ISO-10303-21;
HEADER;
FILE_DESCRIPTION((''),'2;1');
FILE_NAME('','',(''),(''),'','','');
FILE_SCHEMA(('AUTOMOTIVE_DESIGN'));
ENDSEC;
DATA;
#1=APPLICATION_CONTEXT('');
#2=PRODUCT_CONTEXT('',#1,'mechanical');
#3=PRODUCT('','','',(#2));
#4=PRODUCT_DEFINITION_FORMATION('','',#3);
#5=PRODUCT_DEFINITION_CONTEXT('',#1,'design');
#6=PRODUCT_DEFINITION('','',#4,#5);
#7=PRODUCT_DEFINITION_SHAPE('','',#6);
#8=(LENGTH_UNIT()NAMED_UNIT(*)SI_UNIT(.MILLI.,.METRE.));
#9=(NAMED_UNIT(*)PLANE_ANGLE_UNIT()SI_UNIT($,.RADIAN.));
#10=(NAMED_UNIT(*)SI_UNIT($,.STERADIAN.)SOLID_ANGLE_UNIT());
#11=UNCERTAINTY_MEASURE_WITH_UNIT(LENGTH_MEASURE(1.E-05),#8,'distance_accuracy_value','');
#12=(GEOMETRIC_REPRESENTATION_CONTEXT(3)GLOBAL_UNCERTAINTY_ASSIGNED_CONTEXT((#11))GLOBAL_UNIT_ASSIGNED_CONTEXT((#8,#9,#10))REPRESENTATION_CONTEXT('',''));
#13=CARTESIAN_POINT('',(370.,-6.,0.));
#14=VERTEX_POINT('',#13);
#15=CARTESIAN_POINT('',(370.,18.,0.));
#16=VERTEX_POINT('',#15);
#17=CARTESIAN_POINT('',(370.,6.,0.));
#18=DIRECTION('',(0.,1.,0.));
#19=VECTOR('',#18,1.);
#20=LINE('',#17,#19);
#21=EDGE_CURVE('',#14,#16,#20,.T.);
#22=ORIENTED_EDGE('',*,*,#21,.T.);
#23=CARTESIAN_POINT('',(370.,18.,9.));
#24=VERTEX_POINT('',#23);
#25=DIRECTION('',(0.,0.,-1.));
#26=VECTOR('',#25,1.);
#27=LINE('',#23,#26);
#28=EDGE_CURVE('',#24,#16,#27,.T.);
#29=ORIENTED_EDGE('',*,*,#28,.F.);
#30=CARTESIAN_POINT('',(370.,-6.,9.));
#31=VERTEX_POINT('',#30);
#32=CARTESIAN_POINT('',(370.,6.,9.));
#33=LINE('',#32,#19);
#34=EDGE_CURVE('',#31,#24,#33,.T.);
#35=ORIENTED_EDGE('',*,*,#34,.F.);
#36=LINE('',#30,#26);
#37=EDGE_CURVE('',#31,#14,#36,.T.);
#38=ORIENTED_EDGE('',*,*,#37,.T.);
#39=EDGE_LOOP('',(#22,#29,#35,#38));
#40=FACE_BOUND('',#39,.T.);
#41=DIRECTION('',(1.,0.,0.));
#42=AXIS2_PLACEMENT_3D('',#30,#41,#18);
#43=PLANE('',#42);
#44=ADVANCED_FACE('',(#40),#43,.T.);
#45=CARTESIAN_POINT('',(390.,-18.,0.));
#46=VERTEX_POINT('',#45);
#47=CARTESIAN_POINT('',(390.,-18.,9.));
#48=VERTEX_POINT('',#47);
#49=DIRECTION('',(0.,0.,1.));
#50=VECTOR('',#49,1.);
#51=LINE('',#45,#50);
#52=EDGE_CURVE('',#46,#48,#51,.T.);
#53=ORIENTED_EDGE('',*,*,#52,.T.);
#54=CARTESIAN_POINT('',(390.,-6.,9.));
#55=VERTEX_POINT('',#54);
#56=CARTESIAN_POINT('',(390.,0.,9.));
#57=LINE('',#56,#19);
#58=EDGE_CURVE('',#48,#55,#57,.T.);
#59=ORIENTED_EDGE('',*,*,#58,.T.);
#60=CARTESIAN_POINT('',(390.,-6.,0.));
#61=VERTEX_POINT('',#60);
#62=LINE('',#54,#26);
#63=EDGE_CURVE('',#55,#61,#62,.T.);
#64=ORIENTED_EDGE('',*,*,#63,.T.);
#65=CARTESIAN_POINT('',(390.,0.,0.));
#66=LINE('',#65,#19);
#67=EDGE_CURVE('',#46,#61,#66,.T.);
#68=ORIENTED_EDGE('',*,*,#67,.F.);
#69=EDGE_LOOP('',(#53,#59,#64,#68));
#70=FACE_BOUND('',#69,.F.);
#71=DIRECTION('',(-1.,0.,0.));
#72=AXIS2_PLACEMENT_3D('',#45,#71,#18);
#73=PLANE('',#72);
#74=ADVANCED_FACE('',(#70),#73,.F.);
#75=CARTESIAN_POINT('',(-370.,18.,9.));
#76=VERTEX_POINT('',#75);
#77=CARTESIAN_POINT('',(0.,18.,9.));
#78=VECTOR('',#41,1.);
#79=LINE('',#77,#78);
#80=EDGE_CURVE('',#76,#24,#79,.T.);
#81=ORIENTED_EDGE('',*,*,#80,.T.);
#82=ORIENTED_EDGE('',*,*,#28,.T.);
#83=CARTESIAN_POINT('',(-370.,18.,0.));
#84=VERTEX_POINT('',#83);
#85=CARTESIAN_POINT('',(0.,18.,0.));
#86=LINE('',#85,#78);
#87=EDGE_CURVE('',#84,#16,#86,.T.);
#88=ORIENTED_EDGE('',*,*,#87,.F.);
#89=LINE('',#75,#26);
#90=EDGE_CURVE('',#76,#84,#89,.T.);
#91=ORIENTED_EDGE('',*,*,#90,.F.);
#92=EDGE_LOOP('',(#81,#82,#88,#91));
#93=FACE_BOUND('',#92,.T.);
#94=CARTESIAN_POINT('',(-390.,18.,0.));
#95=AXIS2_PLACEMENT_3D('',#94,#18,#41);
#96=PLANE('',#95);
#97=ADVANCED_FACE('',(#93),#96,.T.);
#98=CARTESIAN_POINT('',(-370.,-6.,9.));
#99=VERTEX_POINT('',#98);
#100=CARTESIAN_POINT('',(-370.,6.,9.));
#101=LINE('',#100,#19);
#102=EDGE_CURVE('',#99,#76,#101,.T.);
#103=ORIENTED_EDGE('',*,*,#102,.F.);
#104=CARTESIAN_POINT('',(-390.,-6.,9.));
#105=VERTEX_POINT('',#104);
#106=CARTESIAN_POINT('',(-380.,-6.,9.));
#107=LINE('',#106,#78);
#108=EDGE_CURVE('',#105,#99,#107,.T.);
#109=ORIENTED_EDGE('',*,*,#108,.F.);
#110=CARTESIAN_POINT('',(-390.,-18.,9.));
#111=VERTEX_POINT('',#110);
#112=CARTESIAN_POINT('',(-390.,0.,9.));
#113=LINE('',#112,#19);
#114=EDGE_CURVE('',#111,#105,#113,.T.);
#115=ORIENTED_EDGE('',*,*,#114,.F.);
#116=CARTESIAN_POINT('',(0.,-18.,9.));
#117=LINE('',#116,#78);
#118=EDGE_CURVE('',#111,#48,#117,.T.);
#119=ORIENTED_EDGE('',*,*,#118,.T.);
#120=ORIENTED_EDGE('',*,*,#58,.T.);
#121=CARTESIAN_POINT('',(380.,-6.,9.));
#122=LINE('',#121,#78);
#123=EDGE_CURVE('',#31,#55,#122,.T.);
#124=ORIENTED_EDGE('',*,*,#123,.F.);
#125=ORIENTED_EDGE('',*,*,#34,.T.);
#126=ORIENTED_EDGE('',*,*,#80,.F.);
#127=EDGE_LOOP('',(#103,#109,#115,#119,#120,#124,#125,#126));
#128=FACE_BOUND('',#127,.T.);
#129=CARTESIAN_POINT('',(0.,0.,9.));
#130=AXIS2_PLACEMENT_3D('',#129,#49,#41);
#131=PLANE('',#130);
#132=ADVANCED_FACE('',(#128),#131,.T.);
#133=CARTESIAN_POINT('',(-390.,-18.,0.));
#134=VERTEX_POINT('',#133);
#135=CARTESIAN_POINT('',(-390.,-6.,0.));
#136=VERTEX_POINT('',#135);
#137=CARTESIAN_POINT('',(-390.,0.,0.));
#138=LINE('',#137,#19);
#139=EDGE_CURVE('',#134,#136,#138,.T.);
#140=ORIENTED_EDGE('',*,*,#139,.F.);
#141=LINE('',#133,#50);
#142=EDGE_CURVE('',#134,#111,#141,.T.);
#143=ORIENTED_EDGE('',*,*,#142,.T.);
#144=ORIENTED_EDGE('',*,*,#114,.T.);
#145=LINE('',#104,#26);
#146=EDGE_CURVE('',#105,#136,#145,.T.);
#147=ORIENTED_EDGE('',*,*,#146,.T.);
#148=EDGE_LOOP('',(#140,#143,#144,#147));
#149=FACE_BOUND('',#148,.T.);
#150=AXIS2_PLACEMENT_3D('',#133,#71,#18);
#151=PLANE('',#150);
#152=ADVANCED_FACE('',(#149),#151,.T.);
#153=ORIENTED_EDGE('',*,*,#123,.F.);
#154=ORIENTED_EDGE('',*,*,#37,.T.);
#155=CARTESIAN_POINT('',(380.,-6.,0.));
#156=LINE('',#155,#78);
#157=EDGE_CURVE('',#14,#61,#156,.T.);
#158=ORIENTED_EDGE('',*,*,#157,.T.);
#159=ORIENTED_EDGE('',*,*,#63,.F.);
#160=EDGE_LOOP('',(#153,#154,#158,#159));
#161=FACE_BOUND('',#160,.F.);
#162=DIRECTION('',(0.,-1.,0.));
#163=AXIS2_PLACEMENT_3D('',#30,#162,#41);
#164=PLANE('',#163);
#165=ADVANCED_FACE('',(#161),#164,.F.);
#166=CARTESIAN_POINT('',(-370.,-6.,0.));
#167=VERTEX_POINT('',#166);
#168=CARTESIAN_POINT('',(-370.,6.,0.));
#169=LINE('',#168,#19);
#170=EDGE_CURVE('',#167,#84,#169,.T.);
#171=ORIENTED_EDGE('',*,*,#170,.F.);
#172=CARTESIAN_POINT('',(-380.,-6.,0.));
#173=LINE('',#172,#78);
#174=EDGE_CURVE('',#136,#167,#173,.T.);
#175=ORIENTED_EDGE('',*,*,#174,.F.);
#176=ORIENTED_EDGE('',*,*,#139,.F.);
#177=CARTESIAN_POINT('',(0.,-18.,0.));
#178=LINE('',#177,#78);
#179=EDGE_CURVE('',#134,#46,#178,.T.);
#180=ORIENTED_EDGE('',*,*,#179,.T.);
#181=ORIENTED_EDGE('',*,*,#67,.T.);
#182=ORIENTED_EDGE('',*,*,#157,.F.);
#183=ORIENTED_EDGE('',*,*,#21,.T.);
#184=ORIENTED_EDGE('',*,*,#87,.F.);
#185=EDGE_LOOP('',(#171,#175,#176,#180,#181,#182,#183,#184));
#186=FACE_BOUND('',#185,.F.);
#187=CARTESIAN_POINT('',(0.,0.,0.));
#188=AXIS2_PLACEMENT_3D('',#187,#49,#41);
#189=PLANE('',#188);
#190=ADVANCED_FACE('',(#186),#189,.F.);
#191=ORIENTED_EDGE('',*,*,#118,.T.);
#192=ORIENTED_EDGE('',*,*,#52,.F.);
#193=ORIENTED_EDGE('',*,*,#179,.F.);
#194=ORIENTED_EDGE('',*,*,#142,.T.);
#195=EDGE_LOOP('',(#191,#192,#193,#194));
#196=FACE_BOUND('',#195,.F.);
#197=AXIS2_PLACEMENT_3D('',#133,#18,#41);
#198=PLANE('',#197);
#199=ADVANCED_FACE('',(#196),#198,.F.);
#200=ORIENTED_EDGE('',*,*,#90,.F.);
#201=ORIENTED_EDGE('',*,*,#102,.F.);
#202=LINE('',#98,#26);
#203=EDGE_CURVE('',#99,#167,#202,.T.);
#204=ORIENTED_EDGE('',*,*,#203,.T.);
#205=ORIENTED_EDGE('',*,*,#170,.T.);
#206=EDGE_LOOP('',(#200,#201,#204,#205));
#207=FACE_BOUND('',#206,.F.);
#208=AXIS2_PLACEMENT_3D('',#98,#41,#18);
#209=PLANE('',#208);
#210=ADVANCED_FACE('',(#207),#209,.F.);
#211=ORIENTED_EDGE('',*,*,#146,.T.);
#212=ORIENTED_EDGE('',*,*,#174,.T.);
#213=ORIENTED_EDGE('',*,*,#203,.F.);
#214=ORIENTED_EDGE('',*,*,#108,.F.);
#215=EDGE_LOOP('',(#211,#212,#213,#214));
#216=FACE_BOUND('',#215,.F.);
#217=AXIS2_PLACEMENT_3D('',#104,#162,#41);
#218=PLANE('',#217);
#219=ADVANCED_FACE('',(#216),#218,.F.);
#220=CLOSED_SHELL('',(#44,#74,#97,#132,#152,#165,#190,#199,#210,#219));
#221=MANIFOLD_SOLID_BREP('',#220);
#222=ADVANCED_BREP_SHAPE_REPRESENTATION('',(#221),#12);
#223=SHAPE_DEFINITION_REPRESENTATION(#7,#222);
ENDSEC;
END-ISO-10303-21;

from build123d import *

# Parameters (mm, degrees)
F0_W     = 780
F0_H     = 36
F1_DEPTH = 9
F2_W     = 20
F2_H     = 24
F3_DEPTH = 9


with BuildPart() as f1:
    # F0 (on Top) → F1 (new body)
    with BuildSketch(Plane.XY):
        Rectangle(F0_W, F0_H)
    extrude(amount=F1_DEPTH)

    # F2 (on face) → F3 (cut, through all)
    with BuildSketch(Plane.XY.offset(9)):
        with Locations((-380, 6)):
            Rectangle(F2_W, F2_H)
        with Locations((380, 6)):
            Rectangle(F2_W, F2_H)
    extrude(amount=-F3_DEPTH, mode=Mode.SUBTRACT)


solid = f1.part
